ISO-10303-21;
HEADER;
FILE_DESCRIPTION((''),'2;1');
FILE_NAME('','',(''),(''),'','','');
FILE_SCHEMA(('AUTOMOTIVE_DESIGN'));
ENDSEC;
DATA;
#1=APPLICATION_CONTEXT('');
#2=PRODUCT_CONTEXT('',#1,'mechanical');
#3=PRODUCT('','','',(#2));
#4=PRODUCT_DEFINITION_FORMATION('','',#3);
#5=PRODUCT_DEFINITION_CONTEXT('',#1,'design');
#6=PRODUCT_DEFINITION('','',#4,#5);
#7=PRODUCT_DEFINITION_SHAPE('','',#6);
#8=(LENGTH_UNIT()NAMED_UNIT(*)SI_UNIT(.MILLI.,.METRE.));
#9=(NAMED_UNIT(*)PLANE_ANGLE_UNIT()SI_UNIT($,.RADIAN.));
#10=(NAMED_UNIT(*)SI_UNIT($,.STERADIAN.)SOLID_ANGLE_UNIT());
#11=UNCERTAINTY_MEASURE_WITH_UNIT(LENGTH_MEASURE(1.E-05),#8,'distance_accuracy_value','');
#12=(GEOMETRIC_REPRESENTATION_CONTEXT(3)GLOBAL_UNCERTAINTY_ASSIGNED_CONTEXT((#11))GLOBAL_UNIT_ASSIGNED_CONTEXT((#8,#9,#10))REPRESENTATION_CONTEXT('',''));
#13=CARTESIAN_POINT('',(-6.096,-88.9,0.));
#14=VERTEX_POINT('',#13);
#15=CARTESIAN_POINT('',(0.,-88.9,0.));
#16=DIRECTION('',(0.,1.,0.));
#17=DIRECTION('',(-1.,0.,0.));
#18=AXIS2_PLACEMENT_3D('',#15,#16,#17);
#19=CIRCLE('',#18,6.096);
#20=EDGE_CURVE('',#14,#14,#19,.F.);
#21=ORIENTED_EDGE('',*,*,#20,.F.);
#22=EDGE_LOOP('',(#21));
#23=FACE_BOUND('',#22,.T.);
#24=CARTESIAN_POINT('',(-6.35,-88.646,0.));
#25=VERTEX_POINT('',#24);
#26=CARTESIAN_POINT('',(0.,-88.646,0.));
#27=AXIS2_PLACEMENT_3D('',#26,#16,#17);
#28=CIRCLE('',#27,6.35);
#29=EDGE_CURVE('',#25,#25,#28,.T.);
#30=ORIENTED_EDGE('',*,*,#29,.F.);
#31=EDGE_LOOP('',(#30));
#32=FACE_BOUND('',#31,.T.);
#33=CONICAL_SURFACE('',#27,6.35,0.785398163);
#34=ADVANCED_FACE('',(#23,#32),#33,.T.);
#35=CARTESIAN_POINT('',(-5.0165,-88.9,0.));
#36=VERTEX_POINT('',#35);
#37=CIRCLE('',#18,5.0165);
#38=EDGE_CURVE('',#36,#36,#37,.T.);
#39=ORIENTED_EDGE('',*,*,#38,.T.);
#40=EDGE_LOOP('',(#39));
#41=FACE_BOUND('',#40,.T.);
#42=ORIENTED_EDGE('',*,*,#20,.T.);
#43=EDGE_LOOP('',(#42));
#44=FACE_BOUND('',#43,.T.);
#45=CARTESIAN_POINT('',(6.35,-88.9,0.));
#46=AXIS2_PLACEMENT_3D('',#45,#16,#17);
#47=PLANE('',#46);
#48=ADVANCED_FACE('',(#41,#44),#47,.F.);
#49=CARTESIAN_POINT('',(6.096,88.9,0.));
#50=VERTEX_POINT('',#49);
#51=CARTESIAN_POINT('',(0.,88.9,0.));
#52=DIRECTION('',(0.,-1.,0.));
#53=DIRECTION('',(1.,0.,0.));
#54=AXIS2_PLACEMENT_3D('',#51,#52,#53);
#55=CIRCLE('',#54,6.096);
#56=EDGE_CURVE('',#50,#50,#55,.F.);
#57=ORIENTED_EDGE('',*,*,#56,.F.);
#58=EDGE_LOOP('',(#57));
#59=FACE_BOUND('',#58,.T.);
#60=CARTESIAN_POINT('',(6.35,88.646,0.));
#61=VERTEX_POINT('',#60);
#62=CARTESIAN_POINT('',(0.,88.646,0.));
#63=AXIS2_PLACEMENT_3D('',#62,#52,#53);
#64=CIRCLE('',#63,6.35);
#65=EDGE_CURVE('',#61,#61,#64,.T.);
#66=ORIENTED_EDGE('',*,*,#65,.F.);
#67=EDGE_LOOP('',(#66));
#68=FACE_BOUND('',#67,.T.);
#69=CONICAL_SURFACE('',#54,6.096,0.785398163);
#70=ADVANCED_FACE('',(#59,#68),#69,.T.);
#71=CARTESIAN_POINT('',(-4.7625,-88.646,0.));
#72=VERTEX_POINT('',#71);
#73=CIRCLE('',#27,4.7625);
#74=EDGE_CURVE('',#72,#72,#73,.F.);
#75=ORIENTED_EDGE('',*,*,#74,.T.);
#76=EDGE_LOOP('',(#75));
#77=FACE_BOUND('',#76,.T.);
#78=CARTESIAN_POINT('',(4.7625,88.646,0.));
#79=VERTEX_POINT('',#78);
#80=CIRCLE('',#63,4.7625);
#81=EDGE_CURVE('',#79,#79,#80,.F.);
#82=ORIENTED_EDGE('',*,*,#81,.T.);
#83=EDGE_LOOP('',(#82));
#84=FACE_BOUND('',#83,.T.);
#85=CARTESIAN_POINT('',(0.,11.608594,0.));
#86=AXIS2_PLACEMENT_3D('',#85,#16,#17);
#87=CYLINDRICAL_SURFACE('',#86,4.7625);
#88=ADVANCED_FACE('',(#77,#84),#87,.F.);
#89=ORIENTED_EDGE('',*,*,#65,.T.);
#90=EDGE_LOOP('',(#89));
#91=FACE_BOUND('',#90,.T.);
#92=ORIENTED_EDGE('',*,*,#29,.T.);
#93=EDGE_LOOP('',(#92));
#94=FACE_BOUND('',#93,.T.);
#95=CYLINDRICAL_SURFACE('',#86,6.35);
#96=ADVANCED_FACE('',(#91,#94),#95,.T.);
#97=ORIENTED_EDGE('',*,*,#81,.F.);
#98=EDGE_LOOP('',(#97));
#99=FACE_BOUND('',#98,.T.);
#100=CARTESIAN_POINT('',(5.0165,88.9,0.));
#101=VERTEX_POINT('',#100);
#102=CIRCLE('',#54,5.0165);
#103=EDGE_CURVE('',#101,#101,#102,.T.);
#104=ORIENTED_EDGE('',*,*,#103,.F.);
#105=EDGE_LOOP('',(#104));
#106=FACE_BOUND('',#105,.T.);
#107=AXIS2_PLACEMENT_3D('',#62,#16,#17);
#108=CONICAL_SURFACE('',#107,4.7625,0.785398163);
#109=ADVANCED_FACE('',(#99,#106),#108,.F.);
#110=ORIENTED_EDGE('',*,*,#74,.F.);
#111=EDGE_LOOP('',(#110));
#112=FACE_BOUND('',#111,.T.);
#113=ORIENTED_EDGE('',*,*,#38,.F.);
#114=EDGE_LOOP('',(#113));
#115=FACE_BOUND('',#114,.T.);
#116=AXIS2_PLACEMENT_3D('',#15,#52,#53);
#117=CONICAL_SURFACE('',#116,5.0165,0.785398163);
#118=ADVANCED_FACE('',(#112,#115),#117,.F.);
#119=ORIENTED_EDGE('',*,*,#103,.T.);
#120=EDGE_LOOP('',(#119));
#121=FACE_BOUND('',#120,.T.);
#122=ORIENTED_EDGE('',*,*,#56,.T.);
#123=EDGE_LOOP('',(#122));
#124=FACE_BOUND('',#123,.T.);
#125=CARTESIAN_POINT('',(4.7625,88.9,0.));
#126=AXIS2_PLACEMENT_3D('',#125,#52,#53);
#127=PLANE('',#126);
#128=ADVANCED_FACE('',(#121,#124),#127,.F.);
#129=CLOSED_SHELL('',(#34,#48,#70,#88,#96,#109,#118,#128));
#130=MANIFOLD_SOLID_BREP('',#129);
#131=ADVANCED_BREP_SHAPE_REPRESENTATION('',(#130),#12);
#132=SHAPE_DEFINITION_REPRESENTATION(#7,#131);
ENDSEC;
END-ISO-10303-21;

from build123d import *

# Parameters (mm, degrees)
SKETCH1_W     = 1.5875
SKETCH1_H     = 177.8
CHAMFER1_SIZE = 0.254


with BuildPart() as part:
    # Sketch1 → Revolve1 (revolve)
    with BuildSketch(Plane.XY):
        with Locations((5.55625, 0)):
            Rectangle(SKETCH1_W, SKETCH1_H)
    revolve(axis=Axis((0, 11.60859375, 0), (0, -1, 0)))

    # Chamfer1
    chamfer1_edges = [part.edges().sort_by_distance(p)[0] for p in [
        (-4.7625, -88.9, 0),
        (-6.35, -88.9, 0),
        (-6.35, 88.9, 0),
        (-4.7625, 88.9, 0),
    ]]
    chamfer(chamfer1_edges, length=CHAMFER1_SIZE)


solid = part.part
